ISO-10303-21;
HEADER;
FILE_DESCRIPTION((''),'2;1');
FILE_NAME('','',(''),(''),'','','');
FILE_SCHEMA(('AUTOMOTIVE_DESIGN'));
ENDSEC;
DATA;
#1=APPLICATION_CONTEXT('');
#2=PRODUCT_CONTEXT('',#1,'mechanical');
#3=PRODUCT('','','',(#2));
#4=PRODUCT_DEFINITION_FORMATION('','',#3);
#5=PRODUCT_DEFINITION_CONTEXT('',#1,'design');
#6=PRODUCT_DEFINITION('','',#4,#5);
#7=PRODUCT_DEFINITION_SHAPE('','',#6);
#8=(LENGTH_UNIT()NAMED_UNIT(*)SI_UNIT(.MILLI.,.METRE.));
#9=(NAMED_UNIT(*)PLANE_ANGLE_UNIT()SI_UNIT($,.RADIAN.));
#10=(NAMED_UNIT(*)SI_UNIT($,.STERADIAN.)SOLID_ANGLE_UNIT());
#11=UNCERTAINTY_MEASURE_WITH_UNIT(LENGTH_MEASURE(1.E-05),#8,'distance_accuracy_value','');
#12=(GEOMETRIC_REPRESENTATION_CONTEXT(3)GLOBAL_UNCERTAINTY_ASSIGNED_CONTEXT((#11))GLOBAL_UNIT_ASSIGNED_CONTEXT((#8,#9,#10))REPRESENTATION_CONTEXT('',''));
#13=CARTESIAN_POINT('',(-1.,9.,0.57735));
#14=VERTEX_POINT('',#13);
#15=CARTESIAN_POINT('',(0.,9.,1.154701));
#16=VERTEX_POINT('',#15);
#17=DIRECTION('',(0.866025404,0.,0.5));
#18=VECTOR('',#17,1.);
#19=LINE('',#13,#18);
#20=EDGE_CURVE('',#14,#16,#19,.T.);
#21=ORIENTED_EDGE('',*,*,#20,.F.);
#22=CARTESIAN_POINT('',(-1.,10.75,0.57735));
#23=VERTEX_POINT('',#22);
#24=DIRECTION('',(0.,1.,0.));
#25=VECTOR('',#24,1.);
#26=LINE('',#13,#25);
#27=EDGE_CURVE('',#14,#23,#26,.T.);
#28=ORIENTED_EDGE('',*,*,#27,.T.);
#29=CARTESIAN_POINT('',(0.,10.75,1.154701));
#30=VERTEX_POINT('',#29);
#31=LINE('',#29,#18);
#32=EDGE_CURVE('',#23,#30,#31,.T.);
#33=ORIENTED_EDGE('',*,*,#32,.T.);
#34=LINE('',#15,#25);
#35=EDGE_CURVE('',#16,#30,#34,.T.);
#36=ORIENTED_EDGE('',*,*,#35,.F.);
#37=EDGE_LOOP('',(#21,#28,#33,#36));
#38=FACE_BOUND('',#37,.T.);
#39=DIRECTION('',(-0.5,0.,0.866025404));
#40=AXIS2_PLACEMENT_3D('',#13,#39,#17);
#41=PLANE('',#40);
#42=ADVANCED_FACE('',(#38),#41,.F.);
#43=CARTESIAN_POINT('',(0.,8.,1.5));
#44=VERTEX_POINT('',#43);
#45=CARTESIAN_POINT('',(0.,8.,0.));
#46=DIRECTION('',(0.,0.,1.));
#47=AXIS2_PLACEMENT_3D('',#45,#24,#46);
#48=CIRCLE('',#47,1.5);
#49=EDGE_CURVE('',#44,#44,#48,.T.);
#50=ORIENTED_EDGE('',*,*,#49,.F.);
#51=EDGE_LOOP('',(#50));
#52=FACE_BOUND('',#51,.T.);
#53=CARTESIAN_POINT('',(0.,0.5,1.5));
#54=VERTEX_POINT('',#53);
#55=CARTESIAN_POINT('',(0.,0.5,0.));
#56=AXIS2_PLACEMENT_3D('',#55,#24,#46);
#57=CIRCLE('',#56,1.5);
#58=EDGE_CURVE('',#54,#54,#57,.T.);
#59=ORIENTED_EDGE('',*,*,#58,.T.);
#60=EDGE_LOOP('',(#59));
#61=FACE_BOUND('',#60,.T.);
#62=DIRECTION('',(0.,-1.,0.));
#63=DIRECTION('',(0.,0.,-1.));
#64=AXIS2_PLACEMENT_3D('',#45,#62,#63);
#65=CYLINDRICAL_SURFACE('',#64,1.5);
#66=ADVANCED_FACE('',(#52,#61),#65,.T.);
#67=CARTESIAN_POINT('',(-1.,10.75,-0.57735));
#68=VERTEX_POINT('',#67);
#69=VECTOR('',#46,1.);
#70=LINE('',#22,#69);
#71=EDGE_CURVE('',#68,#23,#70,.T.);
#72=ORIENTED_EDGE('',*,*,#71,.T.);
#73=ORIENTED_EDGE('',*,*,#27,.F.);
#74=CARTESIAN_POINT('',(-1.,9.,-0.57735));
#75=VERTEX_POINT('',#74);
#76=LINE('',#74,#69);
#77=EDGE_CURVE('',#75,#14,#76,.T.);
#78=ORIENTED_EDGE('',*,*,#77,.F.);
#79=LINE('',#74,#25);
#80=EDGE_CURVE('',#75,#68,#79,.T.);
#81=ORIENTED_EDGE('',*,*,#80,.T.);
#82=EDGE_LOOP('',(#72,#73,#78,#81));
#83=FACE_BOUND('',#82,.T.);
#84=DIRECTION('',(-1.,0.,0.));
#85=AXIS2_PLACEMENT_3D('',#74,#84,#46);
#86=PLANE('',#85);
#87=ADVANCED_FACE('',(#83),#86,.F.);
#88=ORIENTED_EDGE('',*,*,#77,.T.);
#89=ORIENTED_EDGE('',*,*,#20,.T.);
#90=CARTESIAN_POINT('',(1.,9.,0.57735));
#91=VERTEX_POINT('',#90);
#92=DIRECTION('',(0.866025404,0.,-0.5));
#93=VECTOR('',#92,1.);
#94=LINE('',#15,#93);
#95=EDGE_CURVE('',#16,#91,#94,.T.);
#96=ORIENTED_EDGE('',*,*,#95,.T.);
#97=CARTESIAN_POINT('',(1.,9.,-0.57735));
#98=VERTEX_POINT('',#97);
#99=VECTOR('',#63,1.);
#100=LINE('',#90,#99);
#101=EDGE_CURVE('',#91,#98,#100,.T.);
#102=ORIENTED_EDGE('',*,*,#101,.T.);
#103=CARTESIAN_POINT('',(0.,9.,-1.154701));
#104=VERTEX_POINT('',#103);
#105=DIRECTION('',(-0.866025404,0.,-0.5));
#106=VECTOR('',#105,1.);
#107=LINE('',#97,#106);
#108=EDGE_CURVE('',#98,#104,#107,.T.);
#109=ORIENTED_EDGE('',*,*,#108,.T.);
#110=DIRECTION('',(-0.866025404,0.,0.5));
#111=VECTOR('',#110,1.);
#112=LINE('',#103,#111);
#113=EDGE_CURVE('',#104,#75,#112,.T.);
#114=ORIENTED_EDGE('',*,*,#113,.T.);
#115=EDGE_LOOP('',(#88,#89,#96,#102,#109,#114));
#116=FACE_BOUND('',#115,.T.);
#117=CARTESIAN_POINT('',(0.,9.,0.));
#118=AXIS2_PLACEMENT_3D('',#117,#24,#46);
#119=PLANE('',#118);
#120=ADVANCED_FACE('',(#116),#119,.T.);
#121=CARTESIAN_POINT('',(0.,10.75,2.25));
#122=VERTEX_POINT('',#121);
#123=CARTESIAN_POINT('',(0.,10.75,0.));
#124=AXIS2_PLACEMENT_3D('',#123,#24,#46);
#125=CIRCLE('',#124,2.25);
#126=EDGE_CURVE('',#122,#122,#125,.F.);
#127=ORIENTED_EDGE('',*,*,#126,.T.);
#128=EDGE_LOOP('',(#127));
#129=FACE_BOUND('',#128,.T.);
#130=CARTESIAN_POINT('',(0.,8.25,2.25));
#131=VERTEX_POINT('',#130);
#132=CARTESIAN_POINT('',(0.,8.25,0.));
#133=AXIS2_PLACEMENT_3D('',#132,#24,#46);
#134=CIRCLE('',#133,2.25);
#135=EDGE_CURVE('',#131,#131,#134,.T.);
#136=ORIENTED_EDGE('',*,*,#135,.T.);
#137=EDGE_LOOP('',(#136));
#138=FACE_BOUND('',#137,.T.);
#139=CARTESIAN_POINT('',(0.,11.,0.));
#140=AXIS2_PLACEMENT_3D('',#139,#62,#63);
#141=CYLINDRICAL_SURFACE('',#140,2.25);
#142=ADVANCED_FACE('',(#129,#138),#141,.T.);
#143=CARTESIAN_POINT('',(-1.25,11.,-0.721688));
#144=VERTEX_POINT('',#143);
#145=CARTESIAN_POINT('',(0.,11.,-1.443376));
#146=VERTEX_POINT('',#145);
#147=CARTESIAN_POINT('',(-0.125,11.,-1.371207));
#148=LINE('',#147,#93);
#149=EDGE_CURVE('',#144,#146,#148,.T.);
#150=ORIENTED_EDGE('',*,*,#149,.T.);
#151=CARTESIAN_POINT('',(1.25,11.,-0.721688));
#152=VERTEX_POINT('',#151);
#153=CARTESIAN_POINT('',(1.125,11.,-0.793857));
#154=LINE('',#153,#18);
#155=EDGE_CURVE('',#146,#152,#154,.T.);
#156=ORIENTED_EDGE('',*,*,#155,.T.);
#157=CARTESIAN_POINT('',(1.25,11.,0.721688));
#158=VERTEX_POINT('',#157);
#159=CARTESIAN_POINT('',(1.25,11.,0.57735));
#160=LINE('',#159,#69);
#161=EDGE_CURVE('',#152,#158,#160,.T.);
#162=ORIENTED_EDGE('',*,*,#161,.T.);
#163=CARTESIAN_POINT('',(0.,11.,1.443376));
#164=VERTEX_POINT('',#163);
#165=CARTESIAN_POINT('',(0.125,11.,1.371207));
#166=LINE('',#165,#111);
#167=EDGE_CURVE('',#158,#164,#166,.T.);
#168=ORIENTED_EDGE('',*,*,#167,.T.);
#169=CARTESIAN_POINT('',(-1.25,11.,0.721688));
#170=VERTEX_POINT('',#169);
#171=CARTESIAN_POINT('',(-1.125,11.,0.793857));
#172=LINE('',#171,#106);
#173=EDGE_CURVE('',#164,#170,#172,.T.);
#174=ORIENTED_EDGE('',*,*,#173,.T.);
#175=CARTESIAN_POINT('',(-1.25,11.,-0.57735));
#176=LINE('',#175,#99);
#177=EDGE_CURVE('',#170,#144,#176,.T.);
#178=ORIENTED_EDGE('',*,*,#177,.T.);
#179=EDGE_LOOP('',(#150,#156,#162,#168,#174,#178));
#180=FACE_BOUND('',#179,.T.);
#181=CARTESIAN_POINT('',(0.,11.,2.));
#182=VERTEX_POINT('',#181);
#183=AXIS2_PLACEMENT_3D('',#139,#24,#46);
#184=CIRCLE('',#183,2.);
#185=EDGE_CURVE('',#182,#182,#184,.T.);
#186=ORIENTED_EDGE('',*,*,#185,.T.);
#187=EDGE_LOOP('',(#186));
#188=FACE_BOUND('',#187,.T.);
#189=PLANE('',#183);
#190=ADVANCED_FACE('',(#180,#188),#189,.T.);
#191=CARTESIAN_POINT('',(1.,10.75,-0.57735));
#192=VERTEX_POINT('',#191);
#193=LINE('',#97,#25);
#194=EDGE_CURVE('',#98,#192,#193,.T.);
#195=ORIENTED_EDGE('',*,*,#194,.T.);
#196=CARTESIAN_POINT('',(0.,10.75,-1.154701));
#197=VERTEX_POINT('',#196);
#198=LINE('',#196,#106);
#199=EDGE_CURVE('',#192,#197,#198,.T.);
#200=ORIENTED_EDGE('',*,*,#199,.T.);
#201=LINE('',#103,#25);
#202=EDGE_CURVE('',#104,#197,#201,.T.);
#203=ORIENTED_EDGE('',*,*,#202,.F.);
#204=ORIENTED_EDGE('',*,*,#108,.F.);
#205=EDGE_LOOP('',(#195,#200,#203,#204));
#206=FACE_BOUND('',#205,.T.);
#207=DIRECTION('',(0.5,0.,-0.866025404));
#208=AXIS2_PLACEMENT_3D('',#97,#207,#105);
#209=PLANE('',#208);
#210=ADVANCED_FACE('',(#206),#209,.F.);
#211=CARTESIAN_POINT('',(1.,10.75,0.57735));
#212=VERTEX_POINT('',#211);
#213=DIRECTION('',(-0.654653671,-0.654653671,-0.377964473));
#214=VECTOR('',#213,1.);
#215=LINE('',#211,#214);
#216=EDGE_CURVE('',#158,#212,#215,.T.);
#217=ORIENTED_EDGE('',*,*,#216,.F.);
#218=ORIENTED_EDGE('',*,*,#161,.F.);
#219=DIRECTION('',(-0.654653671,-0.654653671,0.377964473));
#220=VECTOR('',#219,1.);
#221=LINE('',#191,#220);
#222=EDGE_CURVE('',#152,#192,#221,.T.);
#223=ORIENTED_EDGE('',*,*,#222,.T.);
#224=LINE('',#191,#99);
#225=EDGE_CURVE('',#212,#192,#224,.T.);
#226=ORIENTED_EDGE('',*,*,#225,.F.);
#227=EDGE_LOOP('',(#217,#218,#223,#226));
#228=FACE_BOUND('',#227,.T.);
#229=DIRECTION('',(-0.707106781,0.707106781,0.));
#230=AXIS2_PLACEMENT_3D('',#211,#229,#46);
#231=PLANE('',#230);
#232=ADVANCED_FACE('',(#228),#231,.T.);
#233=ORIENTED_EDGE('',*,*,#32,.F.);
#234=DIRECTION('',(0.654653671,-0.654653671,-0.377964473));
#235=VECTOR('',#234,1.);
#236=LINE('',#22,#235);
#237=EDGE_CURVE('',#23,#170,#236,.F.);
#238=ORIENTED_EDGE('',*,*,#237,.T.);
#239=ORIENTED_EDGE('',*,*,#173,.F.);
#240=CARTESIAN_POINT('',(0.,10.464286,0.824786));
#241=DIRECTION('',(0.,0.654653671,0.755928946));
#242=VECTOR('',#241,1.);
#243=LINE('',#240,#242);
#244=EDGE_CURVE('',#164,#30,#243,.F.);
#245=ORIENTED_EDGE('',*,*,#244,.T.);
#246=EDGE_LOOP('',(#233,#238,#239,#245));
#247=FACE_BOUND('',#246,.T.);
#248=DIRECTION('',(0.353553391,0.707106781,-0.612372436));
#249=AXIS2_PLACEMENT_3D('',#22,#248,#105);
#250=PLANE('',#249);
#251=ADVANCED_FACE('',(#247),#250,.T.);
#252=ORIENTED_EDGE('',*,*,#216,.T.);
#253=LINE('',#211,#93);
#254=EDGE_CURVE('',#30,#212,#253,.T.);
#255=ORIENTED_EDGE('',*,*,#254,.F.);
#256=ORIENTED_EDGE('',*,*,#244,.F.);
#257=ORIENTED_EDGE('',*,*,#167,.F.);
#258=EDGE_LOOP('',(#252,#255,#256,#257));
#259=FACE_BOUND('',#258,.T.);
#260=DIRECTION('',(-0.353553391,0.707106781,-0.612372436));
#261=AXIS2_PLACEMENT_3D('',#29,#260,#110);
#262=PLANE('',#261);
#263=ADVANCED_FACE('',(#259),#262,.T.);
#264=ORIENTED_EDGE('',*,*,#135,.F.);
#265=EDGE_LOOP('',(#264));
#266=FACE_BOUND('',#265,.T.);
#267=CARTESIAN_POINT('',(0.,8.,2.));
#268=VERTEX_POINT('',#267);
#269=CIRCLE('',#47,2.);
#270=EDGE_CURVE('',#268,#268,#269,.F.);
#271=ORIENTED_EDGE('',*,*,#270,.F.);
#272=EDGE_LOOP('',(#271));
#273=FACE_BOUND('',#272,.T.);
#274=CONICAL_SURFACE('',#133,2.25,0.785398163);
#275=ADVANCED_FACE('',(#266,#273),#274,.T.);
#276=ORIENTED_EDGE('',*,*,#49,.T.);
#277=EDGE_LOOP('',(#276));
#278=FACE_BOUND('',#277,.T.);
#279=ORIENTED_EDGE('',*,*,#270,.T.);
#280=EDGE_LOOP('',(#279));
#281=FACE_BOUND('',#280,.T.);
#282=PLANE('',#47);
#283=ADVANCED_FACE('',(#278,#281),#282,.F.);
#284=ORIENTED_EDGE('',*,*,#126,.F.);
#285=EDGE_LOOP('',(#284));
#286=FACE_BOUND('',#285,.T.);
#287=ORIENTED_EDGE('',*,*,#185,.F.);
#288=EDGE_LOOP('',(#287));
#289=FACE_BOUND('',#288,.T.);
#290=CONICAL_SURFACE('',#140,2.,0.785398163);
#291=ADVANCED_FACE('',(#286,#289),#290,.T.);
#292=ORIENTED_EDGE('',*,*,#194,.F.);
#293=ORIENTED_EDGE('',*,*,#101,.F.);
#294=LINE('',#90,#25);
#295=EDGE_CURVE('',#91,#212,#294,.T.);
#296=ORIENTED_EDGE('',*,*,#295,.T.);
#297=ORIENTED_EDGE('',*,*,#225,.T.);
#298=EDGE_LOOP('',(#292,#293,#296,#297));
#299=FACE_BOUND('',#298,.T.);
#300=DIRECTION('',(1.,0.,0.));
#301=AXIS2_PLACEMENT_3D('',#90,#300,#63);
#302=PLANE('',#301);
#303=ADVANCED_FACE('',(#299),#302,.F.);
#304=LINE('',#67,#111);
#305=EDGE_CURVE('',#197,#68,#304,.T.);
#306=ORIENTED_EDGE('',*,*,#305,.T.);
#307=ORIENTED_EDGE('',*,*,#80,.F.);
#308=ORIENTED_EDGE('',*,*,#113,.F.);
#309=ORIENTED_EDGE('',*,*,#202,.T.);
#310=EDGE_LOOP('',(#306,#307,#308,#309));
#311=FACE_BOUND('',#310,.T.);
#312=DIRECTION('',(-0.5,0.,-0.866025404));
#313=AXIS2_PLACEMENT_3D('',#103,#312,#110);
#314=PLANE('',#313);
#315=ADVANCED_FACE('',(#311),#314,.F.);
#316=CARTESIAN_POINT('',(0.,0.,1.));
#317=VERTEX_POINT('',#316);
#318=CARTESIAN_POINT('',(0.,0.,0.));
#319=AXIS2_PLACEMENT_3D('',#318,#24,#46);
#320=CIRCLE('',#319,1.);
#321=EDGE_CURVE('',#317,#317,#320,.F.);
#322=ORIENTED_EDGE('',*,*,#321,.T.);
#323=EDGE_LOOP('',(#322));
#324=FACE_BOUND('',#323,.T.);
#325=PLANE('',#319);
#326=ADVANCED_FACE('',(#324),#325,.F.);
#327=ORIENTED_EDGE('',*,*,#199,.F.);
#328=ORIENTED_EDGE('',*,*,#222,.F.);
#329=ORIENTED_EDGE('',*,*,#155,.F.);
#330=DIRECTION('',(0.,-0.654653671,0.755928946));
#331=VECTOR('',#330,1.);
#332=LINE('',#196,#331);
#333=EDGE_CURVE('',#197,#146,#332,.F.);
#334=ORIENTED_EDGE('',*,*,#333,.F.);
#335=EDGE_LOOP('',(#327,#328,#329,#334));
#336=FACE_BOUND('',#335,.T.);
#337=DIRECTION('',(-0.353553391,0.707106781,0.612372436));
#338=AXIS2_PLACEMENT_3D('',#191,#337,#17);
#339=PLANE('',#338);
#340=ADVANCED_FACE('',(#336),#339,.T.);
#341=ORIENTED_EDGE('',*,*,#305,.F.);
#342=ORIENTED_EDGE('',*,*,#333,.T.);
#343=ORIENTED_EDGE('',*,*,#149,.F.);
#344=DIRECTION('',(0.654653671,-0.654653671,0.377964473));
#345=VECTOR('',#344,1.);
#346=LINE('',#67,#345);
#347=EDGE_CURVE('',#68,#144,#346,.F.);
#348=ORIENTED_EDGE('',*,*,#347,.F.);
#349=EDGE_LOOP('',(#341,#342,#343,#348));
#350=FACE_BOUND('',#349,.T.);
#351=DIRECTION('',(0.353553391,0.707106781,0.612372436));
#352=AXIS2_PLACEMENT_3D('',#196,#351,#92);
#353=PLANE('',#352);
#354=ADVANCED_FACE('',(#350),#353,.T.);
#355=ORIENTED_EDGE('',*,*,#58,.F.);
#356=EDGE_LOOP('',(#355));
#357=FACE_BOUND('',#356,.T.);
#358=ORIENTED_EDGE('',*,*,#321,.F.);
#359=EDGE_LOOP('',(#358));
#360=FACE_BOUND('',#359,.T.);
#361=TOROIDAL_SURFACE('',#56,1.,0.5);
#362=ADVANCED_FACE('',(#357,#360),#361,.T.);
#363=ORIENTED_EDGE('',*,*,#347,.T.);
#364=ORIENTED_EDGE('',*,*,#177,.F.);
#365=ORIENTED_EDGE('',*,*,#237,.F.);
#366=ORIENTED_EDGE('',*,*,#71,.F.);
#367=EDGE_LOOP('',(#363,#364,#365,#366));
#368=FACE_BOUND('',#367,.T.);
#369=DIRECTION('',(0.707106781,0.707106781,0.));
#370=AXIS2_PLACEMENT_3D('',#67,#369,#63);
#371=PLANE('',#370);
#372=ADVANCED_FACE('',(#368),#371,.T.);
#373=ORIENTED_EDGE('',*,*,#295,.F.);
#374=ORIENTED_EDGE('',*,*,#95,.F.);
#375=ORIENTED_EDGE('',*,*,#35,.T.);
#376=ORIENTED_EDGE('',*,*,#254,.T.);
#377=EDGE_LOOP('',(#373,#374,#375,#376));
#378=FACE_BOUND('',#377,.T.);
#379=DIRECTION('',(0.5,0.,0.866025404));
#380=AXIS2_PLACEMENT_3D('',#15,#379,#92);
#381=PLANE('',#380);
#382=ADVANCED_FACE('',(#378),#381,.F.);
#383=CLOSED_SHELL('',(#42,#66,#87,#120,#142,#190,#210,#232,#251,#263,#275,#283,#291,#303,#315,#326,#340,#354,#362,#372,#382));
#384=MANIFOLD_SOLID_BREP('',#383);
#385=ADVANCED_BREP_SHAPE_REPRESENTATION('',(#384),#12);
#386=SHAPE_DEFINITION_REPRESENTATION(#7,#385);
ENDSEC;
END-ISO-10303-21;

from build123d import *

# Parameters (mm, degrees)
SKETCH1_R           = 1.5
BOSS_EXTRUDE1_DEPTH = 8
SKETCH2_R           = 2.25
BOSS_EXTRUDE2_DEPTH = 3
CUT_EXTRUDE1_DEPTH  = 2
CHAMFER1_SIZE       = 0.25
FILLET1_R           = 0.5


with BuildPart() as part:
    # Sketch1 → Boss-Extrude1 (new body)
    with BuildSketch(Plane(origin=(0, 0, 0), x_dir=(1, 0, 0), z_dir=(0, 1, 0))):
        with Locations(Location((0, 0, 0), (0, 0, 270))):
            Circle(SKETCH1_R)
    extrude(amount=BOSS_EXTRUDE1_DEPTH)

    # Sketch2 → Boss-Extrude2 (add)
    with BuildSketch(Plane(origin=(0, 8, 0), x_dir=(1, 0, 0), z_dir=(0, 1, 0))):
        with Locations(Location((0, 0, 0), (0, 0, 270))):
            Circle(SKETCH2_R)
    extrude(amount=BOSS_EXTRUDE2_DEPTH)

    # Sketch3 → Cut-Extrude1 (cut)
    with BuildSketch(Plane(origin=(0, 11, 0), x_dir=(1, 0, 0), z_dir=(0, 1, 0))):
        Polygon((0, 1.154700538), (-1, 0.577350269), (-1, -0.577350269), (0, -1.154700538), (1, -0.577350269), (1, 0.577350269), align=None)
    extrude(amount=-CUT_EXTRUDE1_DEPTH, mode=Mode.SUBTRACT)

    # Chamfer1
    chamfer1_edges = [part.edges().sort_by_distance(p)[0] for p in [
        (0.5, 11, -0.866025404),
        (-0.5, 11, -0.866025404),
        (-1, 11, 0),
        (-0.5, 11, 0.866025404),
        (0.5, 11, 0.866025404),
        (1, 11, 0),
        (0, 8, -2.25),
        (0, 11, -2.25),
    ]]
    chamfer(chamfer1_edges, length=CHAMFER1_SIZE)

    # Fillet1
    fillet1_edges = [part.edges().sort_by_distance(p)[0] for p in [
        (0, 0, -1.5),
    ]]
    fillet(fillet1_edges, radius=FILLET1_R)


solid = part.part
